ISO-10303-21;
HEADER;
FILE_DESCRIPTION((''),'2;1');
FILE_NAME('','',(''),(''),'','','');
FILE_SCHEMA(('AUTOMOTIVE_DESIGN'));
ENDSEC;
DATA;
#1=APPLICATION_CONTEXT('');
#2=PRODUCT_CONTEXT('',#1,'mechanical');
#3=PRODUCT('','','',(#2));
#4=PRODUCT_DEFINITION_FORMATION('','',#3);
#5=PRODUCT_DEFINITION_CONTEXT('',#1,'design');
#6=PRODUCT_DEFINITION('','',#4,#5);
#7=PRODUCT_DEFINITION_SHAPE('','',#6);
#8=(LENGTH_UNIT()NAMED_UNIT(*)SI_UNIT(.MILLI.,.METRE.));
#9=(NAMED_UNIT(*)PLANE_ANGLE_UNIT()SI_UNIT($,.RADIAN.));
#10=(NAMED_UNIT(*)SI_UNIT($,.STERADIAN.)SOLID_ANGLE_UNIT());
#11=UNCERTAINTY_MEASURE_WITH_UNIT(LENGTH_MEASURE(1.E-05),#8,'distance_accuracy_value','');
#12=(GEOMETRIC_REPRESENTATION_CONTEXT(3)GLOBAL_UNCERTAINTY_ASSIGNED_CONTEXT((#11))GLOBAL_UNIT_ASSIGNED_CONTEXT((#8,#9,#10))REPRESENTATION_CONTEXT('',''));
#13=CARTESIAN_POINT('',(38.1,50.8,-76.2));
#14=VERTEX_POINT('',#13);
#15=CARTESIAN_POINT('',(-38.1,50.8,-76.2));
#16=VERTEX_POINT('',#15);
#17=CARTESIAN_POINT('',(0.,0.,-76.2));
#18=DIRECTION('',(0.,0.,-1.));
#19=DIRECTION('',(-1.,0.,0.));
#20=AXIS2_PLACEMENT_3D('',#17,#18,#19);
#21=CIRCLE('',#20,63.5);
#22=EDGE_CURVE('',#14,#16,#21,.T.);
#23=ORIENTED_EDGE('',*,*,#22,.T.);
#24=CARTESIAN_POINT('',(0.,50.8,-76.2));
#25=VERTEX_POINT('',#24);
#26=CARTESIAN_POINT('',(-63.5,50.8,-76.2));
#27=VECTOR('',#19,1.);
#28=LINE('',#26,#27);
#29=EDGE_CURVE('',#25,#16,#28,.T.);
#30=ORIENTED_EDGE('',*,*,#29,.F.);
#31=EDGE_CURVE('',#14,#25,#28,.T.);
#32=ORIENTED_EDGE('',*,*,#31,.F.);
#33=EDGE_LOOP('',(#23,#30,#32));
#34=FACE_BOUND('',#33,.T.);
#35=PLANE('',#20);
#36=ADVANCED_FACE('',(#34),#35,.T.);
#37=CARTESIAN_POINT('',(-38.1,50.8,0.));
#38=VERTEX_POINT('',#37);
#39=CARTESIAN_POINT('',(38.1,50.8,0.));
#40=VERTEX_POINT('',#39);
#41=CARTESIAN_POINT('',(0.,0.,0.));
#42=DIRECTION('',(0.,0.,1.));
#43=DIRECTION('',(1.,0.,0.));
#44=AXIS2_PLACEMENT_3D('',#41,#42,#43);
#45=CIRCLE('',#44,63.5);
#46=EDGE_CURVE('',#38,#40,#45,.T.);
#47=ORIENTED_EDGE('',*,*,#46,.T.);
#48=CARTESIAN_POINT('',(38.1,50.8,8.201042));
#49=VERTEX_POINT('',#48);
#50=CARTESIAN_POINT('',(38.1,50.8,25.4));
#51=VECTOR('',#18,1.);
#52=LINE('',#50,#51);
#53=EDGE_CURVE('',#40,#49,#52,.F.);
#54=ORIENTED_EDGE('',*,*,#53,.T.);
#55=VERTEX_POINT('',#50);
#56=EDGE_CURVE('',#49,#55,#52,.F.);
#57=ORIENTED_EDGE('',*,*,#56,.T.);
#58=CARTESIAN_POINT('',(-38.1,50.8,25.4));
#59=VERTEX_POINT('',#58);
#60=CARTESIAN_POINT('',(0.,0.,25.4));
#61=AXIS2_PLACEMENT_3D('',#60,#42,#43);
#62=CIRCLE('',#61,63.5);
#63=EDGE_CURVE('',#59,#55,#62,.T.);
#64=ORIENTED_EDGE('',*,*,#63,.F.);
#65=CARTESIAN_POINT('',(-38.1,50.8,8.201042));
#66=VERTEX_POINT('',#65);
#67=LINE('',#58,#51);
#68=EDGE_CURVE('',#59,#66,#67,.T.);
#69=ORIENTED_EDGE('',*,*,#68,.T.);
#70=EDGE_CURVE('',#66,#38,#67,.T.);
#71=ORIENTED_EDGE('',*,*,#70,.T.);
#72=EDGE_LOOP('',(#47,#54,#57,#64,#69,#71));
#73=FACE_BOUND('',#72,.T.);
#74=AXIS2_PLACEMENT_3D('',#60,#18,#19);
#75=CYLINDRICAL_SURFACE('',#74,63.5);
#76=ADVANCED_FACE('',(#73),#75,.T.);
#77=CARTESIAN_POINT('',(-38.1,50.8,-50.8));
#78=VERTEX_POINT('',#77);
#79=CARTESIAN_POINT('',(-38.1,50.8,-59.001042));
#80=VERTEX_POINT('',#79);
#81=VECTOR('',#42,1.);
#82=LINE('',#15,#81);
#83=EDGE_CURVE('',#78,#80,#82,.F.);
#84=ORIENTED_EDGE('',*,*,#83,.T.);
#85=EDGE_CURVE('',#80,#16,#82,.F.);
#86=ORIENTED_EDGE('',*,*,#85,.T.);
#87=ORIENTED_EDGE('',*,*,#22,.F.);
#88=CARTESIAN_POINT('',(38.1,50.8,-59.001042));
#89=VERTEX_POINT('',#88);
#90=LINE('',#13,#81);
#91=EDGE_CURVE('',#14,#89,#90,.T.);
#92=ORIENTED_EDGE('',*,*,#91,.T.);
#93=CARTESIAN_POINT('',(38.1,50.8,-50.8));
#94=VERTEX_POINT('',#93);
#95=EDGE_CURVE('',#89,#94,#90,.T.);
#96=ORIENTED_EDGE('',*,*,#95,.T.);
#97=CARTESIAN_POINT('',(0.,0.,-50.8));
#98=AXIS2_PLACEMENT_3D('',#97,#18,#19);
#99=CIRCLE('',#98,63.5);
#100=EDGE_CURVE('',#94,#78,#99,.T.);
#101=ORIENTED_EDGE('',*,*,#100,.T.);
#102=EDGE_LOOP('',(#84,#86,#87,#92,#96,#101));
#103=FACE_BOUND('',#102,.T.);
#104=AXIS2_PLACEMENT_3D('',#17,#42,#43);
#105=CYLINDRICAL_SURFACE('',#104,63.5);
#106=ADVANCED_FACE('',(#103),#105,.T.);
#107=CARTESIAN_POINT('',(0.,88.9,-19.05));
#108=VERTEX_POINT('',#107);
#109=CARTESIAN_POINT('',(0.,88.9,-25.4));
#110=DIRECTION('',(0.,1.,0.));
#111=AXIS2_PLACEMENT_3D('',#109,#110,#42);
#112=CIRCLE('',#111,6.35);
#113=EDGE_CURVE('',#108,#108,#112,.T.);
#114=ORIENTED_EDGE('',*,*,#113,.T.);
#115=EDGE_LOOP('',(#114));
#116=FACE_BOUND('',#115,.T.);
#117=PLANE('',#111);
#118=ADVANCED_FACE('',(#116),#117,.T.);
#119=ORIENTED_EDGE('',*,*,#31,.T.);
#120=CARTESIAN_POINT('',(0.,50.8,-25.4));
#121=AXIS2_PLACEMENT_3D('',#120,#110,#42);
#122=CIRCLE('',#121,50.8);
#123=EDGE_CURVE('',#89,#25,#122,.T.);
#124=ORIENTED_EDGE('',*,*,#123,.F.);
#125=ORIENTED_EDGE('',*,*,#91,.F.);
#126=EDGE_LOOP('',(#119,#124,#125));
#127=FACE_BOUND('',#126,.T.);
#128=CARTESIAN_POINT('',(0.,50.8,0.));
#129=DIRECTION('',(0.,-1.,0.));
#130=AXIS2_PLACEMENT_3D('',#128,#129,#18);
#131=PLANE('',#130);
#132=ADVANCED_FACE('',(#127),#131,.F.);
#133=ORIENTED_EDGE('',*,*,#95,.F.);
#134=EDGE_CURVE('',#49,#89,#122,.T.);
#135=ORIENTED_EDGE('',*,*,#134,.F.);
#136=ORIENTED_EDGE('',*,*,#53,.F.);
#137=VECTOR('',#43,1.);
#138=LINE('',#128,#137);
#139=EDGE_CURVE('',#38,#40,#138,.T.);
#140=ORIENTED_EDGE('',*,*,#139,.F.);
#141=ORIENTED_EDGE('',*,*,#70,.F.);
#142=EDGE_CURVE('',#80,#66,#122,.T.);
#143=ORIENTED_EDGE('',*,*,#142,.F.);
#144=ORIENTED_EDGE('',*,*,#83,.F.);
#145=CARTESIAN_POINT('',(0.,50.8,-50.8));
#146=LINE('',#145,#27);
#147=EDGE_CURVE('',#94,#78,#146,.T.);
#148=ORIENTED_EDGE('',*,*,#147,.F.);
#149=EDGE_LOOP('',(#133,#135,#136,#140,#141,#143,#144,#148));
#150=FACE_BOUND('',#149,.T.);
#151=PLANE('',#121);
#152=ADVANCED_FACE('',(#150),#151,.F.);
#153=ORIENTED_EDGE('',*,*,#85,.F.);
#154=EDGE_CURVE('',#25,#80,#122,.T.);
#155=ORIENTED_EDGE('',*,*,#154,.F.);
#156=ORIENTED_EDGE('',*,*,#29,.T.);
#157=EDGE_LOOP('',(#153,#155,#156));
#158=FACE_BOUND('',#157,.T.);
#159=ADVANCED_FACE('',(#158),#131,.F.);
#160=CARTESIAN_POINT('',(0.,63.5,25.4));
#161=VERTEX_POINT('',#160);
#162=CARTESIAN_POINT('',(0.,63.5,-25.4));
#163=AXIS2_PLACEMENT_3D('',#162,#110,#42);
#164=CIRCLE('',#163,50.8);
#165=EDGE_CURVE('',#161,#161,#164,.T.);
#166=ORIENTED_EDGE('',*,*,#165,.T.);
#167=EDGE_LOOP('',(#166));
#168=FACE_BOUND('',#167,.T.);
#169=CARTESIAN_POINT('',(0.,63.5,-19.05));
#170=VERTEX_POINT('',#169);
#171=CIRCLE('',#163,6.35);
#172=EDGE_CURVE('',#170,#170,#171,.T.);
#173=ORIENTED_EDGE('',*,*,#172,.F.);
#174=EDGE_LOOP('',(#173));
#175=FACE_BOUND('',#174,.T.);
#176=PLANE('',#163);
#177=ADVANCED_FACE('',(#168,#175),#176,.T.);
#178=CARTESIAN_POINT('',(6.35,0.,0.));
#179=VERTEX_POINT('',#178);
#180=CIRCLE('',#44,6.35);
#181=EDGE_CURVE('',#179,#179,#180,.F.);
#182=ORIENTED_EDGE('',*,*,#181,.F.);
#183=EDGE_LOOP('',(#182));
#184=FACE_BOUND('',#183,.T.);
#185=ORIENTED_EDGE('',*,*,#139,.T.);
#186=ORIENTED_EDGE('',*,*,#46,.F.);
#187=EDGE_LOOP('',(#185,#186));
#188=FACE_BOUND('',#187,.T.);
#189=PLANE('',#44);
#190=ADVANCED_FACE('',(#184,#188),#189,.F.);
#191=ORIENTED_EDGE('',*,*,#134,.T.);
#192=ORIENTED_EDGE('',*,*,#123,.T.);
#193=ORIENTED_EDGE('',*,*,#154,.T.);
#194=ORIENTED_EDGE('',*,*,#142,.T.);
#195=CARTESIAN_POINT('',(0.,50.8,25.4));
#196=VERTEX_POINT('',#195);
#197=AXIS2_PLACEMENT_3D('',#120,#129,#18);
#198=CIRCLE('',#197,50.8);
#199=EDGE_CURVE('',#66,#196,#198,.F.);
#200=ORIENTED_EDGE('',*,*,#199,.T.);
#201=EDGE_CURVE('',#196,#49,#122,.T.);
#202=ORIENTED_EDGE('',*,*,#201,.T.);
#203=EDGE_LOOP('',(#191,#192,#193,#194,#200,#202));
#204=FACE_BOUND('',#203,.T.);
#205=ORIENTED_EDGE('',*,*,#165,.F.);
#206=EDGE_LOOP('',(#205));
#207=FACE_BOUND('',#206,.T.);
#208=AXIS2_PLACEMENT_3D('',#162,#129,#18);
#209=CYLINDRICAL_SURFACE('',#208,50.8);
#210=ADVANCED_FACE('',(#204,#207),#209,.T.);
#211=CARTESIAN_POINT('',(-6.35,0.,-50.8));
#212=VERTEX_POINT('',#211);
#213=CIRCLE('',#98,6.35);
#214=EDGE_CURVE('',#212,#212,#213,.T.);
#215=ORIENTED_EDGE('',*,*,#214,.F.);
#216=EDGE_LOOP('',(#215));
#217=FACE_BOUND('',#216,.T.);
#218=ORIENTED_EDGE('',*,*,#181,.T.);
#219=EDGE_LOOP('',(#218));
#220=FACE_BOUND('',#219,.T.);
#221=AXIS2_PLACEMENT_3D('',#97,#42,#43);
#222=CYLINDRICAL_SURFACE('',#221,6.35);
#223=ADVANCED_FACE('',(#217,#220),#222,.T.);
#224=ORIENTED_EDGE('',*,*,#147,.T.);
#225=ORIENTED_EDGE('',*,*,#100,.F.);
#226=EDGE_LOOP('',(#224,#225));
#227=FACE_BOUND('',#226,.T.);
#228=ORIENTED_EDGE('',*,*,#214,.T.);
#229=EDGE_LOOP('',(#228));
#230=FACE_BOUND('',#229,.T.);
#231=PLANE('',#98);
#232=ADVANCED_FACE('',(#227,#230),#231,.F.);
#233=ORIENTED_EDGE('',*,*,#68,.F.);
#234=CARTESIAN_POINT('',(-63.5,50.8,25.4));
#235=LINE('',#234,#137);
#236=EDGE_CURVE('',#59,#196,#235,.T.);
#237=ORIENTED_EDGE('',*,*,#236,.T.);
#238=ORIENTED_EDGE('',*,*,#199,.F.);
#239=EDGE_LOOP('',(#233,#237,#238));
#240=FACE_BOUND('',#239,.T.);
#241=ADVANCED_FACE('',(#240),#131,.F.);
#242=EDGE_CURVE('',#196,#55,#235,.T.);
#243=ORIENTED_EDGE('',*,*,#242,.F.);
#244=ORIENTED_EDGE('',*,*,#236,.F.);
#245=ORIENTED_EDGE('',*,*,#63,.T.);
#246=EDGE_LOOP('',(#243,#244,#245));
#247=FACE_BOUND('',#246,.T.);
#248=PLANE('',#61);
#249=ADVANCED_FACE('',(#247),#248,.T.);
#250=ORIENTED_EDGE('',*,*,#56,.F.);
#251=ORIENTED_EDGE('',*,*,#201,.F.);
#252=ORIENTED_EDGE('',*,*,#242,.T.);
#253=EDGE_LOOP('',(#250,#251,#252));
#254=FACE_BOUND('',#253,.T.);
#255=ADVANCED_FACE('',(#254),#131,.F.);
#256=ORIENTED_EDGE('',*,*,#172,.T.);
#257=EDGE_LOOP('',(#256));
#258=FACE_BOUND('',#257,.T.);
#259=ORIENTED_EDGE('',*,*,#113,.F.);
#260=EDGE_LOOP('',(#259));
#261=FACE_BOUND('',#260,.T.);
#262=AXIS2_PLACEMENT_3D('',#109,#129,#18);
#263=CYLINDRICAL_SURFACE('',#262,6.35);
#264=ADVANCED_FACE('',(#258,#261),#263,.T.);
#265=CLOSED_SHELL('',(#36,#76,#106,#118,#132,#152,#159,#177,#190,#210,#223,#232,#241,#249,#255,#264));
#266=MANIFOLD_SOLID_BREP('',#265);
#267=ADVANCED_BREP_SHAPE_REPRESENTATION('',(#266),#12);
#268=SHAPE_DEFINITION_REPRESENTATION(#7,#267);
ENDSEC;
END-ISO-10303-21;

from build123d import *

# Parameters (mm, degrees)
SKETCH1_R           = 63.5
BOSS_EXTRUDE2_DEPTH = 25.4
SKETCH2_R           = 6.35
BOSS_EXTRUDE3_DEPTH = 50.8
BOSS_EXTRUDE4_START = 25.4
SKETCH3_R           = 63.5
BOSS_EXTRUDE4_DEPTH = 25.4
CUT_EXTRUDE2_START  = 50.8
SKETCH4_W           = 127
SKETCH4_H           = 101.6
CUT_EXTRUDE2_DEPTH  = 76.2
SKETCH5_R           = 50.8
BOSS_EXTRUDE5_DEPTH = 12.7
SKETCH6_R           = 6.35
BOSS_EXTRUDE6_DEPTH = 25.4


with BuildPart() as part:
    # Sketch1 → Boss-Extrude2 (new body)
    with BuildSketch(Plane.XY):
        Circle(SKETCH1_R)
    extrude(amount=BOSS_EXTRUDE2_DEPTH)

    # Sketch2 → Boss-Extrude3 (add)
    with BuildSketch(Plane(origin=(0, 0, 0), x_dir=(-1, 0, 0), z_dir=(0, 0, -1))):
        with Locations(Location((0, 0, 0), (0, 0, 180))):
            Circle(SKETCH2_R)
    extrude(amount=BOSS_EXTRUDE3_DEPTH)

    # Sketch3 → Boss-Extrude4 (add)
    with BuildSketch(Plane(origin=(0, 0, -50.8), x_dir=(-1, 0, 0), z_dir=(0, 0, -1)).offset(BOSS_EXTRUDE4_START)):
        with Locations(Location((0, 0, 0), (0, 0, 180))):
            Circle(SKETCH3_R)
    extrude(amount=-BOSS_EXTRUDE4_DEPTH)

    # Sketch4 → Cut-Extrude2 (cut)
    with BuildSketch(Plane(origin=(0, 0, 0), x_dir=(1, 0, 0), z_dir=(0, 1, 0)).offset(CUT_EXTRUDE2_START)):
        with Locations((0, 25.4)):
            Rectangle(SKETCH4_W, SKETCH4_H)
    extrude(amount=CUT_EXTRUDE2_DEPTH, mode=Mode.SUBTRACT)

    # Sketch5 → Boss-Extrude5 (add)
    with BuildSketch(Plane(origin=(0, 50.8, 0), x_dir=(1, 0, 0), z_dir=(0, 1, 0))):
        with Locations(Location((0, 25.4, 0), (0, 0, 270))):
            Circle(SKETCH5_R)
    extrude(amount=BOSS_EXTRUDE5_DEPTH)

    # Sketch6 → Boss-Extrude6 (add)
    with BuildSketch(Plane(origin=(0, 63.5, 0), x_dir=(1, 0, 0), z_dir=(0, 1, 0))):
        with Locations(Location((0, 25.4, 0), (0, 0, 270))):
            Circle(SKETCH6_R)
    extrude(amount=BOSS_EXTRUDE6_DEPTH)


solid = part.part
